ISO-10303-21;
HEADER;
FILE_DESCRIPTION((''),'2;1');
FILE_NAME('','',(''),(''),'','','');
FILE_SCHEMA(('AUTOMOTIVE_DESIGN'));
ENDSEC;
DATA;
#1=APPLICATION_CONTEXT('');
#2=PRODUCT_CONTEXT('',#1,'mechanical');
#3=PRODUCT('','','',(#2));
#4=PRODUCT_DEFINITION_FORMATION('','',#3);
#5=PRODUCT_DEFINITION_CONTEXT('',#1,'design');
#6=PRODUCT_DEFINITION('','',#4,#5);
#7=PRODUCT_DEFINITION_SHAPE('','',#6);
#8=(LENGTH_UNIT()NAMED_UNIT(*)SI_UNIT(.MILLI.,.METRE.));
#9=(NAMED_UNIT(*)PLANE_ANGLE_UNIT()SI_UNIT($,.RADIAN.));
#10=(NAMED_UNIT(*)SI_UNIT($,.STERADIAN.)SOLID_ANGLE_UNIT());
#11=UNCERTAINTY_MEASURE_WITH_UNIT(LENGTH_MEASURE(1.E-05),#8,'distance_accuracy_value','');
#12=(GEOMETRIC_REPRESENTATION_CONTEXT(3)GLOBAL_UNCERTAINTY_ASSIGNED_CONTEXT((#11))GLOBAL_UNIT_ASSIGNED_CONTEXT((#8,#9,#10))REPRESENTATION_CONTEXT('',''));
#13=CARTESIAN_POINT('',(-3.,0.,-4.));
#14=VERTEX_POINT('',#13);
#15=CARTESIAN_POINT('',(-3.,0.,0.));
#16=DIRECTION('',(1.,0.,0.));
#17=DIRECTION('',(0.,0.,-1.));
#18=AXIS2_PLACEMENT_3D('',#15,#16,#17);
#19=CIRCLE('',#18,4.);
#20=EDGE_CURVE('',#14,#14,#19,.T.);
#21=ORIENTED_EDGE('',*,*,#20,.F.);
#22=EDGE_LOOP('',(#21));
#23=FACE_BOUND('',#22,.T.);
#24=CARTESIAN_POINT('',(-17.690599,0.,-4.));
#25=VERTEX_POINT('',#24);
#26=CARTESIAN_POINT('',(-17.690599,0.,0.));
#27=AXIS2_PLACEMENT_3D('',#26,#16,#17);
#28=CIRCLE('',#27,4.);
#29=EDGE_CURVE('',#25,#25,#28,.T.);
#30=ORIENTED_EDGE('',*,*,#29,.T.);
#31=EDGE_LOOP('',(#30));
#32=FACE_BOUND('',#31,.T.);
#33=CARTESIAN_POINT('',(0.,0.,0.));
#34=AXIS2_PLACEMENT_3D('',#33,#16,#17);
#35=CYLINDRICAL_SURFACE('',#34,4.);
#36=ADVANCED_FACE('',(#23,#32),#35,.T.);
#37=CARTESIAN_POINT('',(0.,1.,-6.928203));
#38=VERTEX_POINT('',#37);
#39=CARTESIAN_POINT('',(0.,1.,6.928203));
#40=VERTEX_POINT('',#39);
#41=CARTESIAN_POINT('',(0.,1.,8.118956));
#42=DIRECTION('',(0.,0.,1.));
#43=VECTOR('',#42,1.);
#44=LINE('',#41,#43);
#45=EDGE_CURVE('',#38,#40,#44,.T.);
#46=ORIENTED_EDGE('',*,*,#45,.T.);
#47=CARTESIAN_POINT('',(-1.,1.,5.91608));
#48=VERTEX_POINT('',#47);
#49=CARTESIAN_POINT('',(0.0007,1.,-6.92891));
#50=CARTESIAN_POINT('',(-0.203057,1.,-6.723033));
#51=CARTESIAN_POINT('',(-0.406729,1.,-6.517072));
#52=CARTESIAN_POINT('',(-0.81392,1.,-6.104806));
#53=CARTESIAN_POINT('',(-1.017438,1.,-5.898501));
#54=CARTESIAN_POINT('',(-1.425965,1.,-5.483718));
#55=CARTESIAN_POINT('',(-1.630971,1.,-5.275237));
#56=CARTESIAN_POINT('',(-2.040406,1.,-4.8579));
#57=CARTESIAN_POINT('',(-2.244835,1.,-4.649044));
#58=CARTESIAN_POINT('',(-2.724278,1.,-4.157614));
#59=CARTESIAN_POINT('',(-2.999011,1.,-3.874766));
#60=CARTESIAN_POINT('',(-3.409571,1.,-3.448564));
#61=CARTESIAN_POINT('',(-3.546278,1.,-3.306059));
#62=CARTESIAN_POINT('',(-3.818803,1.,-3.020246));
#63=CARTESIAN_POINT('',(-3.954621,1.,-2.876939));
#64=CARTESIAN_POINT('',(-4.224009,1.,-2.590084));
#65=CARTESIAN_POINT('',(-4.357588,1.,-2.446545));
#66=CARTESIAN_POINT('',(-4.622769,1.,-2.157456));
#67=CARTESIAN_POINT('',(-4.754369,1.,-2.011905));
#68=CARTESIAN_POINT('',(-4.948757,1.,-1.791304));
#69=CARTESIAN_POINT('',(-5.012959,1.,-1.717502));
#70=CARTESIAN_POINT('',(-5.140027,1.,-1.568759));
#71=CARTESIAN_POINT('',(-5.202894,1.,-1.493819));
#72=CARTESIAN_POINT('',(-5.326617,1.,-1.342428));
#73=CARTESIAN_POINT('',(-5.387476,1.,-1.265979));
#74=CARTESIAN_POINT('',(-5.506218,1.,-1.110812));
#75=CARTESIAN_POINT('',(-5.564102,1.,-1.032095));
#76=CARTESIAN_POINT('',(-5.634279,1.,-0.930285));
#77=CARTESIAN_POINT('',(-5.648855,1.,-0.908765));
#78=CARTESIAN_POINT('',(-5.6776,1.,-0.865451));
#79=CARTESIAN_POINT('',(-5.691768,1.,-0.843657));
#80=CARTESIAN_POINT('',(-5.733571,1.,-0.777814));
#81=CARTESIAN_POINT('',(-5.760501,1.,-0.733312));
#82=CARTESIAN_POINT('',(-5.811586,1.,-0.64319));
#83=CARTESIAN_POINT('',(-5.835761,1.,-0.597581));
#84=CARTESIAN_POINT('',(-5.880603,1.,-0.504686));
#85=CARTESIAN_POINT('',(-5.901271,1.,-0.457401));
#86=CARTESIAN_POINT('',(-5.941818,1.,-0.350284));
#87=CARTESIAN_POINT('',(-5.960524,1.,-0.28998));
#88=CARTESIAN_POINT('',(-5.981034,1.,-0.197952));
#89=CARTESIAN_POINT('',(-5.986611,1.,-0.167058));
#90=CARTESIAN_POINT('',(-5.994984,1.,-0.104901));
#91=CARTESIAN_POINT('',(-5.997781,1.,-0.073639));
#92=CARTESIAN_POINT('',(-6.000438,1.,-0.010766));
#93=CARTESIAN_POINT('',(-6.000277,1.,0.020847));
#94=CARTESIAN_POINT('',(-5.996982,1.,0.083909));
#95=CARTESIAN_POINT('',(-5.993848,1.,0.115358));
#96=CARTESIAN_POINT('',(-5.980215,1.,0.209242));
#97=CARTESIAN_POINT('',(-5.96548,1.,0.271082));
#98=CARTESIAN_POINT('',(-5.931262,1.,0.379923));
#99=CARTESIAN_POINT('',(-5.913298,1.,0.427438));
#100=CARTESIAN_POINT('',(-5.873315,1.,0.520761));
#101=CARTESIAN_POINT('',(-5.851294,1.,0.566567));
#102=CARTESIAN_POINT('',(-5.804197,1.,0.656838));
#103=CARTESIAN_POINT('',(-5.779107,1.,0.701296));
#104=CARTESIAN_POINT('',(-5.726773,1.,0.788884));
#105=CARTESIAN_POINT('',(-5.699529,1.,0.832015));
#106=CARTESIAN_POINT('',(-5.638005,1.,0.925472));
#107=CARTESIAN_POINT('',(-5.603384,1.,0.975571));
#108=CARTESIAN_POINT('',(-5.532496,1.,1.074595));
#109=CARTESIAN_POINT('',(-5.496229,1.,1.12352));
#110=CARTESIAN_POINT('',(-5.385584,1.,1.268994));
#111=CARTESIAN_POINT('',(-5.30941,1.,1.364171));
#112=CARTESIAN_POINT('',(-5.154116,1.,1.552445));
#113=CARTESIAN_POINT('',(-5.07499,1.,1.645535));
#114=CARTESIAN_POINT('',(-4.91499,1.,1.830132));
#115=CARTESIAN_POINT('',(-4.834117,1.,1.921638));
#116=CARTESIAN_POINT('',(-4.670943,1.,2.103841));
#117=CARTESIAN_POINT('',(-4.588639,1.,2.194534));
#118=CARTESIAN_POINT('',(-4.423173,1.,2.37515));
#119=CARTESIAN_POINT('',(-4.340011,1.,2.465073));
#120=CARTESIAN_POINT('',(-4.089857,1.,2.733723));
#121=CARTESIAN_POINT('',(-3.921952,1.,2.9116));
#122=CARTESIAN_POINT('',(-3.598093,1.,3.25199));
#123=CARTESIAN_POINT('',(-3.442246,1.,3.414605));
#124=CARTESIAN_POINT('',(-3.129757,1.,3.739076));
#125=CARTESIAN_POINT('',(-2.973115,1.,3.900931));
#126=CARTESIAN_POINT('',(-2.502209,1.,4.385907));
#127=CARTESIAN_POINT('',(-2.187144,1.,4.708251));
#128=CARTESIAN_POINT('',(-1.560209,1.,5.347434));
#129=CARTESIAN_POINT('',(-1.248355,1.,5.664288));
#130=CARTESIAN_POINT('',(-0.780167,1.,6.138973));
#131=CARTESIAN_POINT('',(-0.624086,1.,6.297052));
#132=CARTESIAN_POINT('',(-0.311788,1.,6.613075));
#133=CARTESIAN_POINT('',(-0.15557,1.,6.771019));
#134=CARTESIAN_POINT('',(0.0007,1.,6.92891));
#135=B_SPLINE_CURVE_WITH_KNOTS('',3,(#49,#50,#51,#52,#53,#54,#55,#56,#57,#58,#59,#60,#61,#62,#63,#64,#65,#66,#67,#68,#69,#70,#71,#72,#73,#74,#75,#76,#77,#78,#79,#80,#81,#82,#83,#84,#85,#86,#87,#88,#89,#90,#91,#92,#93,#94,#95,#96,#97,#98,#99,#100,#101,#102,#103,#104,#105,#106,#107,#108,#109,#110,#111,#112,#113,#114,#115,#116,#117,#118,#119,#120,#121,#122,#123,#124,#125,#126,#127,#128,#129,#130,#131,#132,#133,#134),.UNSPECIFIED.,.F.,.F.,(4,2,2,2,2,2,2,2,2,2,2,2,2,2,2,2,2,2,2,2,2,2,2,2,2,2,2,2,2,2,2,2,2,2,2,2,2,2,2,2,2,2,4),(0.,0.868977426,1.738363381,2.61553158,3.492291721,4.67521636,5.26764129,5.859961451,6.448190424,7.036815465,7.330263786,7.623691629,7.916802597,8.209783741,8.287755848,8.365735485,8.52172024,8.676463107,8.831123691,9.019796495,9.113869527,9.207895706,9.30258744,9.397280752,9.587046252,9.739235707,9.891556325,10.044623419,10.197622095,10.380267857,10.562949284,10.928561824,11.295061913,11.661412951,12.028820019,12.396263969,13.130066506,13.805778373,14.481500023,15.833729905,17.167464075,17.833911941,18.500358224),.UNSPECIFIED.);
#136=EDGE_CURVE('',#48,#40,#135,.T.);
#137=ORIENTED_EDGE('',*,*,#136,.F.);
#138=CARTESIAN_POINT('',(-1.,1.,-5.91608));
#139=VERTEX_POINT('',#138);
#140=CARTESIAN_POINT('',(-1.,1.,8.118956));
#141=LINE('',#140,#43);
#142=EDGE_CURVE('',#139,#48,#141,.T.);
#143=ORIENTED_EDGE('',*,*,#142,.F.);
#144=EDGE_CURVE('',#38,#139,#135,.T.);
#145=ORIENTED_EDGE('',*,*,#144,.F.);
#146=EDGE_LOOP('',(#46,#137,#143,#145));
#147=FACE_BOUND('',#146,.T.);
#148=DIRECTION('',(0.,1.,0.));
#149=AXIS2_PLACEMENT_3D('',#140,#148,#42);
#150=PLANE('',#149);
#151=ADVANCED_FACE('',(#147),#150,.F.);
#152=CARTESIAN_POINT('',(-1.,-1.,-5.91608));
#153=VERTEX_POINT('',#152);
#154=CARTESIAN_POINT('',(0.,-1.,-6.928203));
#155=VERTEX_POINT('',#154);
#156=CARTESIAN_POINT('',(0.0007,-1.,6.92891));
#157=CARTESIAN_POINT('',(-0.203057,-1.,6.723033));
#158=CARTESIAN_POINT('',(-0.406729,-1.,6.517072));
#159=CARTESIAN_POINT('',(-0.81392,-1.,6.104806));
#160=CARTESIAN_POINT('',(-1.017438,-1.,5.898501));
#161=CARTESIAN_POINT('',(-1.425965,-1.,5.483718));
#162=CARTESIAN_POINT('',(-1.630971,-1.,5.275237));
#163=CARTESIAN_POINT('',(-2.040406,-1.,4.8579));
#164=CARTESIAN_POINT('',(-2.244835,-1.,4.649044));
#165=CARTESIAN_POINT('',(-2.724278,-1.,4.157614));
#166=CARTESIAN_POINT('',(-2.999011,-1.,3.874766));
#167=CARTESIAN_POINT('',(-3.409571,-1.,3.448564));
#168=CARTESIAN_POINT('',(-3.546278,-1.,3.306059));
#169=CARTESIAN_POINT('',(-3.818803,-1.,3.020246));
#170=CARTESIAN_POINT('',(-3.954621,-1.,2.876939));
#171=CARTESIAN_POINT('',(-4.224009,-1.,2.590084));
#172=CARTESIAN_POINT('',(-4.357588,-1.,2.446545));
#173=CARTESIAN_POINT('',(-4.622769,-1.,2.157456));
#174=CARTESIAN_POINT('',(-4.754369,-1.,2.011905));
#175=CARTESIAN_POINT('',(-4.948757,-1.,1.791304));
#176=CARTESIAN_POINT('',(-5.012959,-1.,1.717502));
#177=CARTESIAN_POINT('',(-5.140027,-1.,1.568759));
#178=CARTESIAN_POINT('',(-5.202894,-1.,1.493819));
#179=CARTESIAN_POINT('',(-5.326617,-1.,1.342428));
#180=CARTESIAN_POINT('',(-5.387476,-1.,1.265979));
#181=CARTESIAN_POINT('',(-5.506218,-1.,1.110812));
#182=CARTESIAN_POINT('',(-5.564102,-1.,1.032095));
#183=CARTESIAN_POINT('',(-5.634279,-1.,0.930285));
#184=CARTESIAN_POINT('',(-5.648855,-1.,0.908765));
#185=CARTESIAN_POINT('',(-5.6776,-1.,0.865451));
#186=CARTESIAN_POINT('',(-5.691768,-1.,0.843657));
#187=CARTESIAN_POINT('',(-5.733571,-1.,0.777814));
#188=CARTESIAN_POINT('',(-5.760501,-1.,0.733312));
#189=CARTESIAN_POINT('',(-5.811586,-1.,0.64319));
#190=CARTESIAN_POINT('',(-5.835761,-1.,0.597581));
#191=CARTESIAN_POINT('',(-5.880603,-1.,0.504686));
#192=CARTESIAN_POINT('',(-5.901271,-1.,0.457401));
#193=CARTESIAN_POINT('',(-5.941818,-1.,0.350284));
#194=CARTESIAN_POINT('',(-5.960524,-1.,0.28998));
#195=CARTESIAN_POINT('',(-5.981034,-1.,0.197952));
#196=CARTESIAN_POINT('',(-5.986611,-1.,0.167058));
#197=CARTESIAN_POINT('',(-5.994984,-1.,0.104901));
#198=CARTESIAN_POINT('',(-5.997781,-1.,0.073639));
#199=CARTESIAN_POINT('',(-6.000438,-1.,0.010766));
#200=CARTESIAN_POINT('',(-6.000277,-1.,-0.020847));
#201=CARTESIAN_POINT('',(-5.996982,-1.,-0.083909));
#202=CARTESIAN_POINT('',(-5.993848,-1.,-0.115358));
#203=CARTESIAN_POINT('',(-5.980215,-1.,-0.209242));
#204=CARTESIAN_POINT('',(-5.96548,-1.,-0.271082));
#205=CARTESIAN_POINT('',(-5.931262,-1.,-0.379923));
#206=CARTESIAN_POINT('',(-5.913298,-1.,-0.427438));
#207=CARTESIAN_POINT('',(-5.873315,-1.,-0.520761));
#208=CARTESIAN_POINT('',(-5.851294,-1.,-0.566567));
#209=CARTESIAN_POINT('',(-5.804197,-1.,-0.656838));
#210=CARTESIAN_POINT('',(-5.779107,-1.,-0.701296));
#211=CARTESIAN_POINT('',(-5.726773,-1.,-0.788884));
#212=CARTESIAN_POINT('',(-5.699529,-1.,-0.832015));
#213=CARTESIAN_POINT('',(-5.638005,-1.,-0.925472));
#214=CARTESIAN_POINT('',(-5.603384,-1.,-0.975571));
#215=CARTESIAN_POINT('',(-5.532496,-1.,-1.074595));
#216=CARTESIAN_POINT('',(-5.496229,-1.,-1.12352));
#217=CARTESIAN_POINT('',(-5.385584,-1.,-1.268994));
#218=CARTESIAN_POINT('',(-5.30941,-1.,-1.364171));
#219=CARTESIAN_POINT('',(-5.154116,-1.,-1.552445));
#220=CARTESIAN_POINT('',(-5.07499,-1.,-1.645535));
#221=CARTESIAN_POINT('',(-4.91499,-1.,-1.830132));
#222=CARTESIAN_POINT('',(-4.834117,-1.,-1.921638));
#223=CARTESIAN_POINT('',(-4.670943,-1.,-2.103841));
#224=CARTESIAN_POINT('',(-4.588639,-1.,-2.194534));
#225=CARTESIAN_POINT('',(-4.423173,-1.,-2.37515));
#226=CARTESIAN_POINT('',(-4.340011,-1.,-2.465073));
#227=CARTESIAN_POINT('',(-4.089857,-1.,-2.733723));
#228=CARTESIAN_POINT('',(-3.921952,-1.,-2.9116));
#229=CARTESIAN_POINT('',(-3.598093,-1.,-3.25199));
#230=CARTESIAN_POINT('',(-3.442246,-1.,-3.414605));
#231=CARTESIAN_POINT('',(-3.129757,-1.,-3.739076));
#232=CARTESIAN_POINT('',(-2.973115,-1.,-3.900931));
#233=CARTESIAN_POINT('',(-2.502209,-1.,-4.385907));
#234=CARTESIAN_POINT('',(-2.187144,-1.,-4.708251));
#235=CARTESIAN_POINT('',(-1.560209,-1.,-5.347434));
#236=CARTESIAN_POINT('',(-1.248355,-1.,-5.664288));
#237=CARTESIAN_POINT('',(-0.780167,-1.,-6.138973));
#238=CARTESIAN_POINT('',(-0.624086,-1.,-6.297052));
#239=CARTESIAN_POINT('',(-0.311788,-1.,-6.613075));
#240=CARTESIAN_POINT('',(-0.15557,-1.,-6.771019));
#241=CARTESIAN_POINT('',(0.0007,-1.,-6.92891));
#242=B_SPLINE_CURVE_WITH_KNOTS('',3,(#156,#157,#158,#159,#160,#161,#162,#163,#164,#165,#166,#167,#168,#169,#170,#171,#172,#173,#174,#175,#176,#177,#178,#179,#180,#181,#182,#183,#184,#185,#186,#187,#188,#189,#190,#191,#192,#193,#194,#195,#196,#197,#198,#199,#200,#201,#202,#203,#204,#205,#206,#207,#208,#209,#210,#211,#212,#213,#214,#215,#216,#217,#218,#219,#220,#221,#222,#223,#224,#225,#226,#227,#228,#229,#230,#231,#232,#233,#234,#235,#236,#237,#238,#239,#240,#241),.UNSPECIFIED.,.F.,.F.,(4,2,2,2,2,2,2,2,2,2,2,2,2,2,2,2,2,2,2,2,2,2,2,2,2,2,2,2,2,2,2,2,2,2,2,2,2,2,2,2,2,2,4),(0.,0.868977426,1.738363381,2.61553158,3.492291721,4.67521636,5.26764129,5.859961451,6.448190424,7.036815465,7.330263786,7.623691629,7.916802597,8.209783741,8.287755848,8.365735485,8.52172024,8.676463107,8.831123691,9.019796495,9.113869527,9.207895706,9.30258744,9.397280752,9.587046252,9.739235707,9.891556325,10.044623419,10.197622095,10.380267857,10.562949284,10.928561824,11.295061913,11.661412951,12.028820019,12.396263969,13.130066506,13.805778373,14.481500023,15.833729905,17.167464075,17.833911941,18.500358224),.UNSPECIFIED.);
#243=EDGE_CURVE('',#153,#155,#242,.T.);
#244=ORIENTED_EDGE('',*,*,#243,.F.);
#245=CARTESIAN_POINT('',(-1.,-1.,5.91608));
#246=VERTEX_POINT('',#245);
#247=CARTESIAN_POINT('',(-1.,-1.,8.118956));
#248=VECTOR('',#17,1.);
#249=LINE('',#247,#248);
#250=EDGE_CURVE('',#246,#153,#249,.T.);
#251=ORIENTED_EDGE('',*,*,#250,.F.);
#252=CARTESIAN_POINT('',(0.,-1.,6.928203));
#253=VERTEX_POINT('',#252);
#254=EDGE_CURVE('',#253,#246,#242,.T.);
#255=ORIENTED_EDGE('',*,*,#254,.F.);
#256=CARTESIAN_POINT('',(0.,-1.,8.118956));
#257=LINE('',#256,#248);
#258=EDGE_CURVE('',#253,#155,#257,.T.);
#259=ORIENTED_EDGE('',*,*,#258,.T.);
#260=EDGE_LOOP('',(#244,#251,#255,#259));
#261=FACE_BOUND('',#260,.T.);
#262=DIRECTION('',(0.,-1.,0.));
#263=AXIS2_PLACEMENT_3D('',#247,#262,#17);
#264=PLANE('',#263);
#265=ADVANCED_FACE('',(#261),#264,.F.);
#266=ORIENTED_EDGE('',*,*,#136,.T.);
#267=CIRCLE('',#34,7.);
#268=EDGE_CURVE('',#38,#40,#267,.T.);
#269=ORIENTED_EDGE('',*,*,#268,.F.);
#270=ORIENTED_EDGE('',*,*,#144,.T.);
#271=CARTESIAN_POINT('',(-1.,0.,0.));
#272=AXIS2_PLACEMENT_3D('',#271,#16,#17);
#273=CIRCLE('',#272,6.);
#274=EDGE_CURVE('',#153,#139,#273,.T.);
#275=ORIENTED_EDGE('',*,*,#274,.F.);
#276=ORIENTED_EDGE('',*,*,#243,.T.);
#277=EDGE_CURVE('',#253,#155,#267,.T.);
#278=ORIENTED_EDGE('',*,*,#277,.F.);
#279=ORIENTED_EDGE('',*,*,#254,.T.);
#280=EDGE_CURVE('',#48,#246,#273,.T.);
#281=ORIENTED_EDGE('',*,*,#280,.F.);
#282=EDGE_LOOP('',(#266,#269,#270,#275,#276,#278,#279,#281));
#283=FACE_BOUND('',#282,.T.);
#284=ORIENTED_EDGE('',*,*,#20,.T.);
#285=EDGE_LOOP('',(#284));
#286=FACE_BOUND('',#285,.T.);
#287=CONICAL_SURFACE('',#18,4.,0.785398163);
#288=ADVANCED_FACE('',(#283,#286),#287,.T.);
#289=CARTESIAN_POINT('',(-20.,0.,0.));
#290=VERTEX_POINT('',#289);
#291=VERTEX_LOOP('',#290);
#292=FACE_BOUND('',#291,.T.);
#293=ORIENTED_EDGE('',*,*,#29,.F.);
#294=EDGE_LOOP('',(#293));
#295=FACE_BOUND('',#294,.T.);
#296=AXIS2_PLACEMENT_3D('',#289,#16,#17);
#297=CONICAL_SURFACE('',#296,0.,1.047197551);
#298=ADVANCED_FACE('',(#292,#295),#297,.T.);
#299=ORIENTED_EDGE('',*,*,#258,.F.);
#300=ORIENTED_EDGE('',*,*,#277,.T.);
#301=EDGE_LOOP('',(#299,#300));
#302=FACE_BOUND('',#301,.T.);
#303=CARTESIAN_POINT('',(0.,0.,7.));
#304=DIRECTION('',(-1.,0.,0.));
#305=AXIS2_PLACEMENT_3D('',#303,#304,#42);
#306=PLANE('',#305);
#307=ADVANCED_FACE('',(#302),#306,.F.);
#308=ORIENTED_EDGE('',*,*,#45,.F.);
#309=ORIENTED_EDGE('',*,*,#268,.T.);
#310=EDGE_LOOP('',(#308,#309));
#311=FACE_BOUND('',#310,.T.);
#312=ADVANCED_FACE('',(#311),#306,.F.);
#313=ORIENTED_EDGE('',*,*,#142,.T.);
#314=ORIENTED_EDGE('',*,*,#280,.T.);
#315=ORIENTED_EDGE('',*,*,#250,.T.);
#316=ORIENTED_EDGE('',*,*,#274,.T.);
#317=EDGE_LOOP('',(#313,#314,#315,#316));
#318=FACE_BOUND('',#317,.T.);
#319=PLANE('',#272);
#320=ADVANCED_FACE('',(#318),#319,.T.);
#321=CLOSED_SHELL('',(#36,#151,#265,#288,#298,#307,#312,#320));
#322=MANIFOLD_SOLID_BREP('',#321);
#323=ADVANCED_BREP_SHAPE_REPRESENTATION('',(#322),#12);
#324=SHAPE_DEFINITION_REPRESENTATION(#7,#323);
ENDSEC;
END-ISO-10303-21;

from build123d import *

# Parameters (mm, degrees)
SKETCH2_W          = 16.237911894
SKETCH2_H          = 2
CUT_EXTRUDE1_DEPTH = 1


with BuildPart() as part:
    # Sketch1 → Revolve1 (revolve)
    with BuildSketch(Plane(origin=(0, 0, 0), x_dir=(1, 0, 0), z_dir=(0, 1, 0)), mode=Mode.PRIVATE) as revolve1_sk:
        Polygon((-20, 0), (-17.690598923, -4), (-3, -4), (0, -7), (0, 0), align=None)
    revolve(revolve1_sk.sketch.rotate(Axis((0, 0, 0), (-1, 0, 0)), 180), axis=Axis((0, 0, 0), (-1, 0, 0)))

    # Sketch2 → Cut-Extrude1 (cut)
    with BuildSketch(Plane(origin=(0, 0, 0), x_dir=(0, 0, -1), z_dir=(1, 0, 0))):
        Rectangle(SKETCH2_W, SKETCH2_H)
    extrude(amount=-CUT_EXTRUDE1_DEPTH, mode=Mode.SUBTRACT)


solid = part.part
